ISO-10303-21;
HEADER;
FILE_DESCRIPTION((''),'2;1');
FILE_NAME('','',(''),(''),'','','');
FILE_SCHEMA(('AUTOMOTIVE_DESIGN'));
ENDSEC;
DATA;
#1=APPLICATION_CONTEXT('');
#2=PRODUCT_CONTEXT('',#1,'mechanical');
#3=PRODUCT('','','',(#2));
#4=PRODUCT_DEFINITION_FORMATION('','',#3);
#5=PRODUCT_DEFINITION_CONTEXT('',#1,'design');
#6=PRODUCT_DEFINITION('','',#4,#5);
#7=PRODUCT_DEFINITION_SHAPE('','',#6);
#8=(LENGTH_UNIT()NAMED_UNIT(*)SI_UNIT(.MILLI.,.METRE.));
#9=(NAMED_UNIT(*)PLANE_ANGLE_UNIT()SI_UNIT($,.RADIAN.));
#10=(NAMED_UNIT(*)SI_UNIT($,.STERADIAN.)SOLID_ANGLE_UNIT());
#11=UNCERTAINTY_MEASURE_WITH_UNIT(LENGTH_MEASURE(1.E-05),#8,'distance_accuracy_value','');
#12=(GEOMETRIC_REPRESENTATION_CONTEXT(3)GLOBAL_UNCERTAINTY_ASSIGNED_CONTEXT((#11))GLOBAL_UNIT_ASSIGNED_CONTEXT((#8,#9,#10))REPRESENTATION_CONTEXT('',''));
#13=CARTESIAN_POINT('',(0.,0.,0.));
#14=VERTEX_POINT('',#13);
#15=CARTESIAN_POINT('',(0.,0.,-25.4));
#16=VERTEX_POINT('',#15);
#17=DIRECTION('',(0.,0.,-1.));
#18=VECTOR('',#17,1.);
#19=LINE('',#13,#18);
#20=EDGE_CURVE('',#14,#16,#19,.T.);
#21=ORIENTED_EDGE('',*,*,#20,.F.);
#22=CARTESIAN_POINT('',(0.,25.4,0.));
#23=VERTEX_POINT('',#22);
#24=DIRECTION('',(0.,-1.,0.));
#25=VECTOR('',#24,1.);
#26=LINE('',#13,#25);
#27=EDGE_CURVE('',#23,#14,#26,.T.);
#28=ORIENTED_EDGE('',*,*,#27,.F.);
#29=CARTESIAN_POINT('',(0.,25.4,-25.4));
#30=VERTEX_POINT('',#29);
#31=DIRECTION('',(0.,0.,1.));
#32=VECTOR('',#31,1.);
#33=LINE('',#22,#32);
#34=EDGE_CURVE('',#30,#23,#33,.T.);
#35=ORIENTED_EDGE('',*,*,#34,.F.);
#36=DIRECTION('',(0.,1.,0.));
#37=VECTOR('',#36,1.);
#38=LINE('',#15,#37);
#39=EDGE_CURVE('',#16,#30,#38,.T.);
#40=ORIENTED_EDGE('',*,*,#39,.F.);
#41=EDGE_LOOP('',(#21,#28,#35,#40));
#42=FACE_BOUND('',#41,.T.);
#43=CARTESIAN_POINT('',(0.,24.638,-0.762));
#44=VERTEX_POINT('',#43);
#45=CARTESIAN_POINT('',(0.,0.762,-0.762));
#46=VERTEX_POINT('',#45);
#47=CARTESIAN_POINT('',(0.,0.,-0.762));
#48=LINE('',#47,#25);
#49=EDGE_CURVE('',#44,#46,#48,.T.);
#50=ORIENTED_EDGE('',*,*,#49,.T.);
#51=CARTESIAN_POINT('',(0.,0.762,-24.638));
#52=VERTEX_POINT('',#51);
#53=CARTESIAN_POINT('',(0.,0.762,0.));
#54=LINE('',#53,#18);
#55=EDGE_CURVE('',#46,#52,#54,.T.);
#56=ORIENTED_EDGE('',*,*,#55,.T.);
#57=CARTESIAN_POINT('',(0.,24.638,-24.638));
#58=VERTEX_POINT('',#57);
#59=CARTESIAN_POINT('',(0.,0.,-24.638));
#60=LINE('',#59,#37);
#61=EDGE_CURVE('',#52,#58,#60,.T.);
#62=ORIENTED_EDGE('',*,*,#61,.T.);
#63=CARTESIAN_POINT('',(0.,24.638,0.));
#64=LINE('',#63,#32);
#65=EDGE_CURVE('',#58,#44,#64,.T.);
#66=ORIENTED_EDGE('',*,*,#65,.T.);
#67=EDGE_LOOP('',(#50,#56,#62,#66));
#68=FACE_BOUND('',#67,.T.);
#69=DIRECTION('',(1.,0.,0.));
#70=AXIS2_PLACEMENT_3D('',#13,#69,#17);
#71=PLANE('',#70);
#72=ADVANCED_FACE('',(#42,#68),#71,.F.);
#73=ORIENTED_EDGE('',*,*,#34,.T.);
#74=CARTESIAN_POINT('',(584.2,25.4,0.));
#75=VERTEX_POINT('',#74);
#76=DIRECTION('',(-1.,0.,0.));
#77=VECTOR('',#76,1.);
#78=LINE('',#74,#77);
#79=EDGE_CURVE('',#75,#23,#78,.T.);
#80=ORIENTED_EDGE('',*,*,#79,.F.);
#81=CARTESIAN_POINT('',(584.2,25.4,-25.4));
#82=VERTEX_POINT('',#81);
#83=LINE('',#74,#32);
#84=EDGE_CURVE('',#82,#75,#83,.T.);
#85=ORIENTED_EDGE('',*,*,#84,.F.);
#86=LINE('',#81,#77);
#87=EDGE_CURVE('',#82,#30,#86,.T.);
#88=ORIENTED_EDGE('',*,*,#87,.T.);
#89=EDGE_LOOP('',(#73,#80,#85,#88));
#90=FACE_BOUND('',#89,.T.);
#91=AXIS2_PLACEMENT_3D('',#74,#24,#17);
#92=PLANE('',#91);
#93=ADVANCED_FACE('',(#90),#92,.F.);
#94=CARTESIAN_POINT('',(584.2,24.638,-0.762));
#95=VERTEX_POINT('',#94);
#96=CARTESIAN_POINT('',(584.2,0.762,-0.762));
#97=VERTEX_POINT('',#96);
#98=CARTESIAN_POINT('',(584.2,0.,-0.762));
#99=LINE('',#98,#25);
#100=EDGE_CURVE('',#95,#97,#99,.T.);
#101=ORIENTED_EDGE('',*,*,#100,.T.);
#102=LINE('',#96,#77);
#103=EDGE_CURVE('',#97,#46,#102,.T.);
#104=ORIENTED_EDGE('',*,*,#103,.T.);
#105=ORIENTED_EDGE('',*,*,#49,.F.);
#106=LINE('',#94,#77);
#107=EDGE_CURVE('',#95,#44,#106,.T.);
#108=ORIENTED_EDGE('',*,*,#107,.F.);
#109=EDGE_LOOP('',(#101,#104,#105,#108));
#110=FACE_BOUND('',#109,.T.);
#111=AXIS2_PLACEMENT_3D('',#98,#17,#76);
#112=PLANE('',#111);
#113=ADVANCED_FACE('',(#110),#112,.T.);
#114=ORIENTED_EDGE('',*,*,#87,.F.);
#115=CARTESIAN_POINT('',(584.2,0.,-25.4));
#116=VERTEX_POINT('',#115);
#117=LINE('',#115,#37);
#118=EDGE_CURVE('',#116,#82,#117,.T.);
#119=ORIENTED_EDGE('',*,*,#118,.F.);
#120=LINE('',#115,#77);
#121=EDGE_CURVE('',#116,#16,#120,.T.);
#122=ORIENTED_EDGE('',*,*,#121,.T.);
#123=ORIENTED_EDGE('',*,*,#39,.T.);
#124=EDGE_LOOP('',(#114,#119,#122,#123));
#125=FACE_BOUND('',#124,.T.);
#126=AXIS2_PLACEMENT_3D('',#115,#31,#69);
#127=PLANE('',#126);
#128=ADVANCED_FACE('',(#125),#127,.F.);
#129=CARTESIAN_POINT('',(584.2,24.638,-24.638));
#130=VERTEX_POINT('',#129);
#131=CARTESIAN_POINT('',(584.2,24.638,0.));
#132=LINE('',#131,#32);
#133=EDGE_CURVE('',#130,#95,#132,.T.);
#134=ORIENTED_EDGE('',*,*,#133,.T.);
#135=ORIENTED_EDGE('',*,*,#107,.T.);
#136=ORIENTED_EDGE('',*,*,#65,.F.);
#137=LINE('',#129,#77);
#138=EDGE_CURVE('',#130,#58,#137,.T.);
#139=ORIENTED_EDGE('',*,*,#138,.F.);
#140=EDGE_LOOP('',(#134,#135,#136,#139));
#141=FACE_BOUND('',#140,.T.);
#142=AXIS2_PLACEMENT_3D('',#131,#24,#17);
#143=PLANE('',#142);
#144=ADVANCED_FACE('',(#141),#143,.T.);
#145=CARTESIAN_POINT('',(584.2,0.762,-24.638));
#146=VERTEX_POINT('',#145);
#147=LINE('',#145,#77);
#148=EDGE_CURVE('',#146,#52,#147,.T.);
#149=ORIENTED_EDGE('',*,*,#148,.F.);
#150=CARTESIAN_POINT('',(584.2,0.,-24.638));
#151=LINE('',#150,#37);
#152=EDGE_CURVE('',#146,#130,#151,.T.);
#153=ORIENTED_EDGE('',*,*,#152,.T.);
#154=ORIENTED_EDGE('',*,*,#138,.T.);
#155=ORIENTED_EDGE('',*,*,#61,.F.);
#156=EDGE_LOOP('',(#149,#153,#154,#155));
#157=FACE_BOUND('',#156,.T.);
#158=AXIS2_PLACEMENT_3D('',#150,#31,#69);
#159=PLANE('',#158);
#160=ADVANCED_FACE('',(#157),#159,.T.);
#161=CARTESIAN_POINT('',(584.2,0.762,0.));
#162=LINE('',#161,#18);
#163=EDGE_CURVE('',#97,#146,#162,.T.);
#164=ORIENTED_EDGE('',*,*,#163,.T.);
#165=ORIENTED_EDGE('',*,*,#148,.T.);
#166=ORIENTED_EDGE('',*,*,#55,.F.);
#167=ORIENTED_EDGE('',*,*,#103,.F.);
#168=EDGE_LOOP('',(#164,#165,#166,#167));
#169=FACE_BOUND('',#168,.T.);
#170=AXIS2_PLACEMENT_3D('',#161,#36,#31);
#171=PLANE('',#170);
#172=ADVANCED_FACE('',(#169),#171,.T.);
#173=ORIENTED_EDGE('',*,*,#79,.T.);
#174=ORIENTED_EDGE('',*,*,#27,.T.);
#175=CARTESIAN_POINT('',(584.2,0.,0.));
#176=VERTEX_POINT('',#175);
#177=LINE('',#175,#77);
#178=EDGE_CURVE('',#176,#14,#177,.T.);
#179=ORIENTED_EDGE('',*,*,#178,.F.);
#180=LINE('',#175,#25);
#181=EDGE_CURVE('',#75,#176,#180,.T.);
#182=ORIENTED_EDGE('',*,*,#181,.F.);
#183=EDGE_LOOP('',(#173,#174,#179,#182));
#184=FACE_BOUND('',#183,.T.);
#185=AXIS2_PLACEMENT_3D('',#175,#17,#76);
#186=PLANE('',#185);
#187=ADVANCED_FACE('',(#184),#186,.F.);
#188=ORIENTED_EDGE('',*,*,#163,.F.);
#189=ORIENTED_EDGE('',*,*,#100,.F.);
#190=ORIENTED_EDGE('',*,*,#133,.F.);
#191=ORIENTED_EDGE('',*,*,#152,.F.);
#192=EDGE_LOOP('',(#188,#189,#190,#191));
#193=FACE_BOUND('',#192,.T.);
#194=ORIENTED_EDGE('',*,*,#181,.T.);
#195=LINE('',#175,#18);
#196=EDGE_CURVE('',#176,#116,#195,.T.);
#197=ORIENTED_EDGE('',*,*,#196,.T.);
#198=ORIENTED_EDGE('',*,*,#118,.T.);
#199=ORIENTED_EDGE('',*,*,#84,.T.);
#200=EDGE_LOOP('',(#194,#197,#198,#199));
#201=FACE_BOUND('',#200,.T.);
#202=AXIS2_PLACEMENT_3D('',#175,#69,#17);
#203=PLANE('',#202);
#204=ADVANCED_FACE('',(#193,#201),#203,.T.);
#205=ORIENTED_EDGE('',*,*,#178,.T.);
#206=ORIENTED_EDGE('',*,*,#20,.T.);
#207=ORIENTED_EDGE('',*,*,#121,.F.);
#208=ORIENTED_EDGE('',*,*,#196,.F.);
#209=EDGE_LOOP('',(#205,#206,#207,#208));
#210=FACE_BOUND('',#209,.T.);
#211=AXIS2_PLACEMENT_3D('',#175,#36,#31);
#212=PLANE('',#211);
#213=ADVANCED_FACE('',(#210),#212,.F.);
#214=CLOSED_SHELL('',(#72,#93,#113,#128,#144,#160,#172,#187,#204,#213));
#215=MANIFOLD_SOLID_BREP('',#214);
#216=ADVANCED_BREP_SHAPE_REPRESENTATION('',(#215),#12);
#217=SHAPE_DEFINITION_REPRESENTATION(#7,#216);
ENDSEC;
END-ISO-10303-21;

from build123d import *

# Parameters (mm, degrees)
SKETCH1_W           = 25.4
SKETCH1_H           = 25.4
SKETCH1_W_2         = 23.876
SKETCH1_H_2         = 23.876
EXTRUDE_THIN1_DEPTH = 584.2


with BuildPart() as part:
    # Sketch1 → Extrude-Thin1 (new body)
    with BuildSketch(Plane(origin=(0, 0, 0), x_dir=(0, 0, -1), z_dir=(1, 0, 0))):
        with Locations((12.7, 12.7)):
            Rectangle(SKETCH1_W, SKETCH1_H)
        with Locations((12.7, 12.7)):
            Rectangle(SKETCH1_W_2, SKETCH1_H_2, mode=Mode.SUBTRACT)
    extrude(amount=EXTRUDE_THIN1_DEPTH)


solid = part.part
